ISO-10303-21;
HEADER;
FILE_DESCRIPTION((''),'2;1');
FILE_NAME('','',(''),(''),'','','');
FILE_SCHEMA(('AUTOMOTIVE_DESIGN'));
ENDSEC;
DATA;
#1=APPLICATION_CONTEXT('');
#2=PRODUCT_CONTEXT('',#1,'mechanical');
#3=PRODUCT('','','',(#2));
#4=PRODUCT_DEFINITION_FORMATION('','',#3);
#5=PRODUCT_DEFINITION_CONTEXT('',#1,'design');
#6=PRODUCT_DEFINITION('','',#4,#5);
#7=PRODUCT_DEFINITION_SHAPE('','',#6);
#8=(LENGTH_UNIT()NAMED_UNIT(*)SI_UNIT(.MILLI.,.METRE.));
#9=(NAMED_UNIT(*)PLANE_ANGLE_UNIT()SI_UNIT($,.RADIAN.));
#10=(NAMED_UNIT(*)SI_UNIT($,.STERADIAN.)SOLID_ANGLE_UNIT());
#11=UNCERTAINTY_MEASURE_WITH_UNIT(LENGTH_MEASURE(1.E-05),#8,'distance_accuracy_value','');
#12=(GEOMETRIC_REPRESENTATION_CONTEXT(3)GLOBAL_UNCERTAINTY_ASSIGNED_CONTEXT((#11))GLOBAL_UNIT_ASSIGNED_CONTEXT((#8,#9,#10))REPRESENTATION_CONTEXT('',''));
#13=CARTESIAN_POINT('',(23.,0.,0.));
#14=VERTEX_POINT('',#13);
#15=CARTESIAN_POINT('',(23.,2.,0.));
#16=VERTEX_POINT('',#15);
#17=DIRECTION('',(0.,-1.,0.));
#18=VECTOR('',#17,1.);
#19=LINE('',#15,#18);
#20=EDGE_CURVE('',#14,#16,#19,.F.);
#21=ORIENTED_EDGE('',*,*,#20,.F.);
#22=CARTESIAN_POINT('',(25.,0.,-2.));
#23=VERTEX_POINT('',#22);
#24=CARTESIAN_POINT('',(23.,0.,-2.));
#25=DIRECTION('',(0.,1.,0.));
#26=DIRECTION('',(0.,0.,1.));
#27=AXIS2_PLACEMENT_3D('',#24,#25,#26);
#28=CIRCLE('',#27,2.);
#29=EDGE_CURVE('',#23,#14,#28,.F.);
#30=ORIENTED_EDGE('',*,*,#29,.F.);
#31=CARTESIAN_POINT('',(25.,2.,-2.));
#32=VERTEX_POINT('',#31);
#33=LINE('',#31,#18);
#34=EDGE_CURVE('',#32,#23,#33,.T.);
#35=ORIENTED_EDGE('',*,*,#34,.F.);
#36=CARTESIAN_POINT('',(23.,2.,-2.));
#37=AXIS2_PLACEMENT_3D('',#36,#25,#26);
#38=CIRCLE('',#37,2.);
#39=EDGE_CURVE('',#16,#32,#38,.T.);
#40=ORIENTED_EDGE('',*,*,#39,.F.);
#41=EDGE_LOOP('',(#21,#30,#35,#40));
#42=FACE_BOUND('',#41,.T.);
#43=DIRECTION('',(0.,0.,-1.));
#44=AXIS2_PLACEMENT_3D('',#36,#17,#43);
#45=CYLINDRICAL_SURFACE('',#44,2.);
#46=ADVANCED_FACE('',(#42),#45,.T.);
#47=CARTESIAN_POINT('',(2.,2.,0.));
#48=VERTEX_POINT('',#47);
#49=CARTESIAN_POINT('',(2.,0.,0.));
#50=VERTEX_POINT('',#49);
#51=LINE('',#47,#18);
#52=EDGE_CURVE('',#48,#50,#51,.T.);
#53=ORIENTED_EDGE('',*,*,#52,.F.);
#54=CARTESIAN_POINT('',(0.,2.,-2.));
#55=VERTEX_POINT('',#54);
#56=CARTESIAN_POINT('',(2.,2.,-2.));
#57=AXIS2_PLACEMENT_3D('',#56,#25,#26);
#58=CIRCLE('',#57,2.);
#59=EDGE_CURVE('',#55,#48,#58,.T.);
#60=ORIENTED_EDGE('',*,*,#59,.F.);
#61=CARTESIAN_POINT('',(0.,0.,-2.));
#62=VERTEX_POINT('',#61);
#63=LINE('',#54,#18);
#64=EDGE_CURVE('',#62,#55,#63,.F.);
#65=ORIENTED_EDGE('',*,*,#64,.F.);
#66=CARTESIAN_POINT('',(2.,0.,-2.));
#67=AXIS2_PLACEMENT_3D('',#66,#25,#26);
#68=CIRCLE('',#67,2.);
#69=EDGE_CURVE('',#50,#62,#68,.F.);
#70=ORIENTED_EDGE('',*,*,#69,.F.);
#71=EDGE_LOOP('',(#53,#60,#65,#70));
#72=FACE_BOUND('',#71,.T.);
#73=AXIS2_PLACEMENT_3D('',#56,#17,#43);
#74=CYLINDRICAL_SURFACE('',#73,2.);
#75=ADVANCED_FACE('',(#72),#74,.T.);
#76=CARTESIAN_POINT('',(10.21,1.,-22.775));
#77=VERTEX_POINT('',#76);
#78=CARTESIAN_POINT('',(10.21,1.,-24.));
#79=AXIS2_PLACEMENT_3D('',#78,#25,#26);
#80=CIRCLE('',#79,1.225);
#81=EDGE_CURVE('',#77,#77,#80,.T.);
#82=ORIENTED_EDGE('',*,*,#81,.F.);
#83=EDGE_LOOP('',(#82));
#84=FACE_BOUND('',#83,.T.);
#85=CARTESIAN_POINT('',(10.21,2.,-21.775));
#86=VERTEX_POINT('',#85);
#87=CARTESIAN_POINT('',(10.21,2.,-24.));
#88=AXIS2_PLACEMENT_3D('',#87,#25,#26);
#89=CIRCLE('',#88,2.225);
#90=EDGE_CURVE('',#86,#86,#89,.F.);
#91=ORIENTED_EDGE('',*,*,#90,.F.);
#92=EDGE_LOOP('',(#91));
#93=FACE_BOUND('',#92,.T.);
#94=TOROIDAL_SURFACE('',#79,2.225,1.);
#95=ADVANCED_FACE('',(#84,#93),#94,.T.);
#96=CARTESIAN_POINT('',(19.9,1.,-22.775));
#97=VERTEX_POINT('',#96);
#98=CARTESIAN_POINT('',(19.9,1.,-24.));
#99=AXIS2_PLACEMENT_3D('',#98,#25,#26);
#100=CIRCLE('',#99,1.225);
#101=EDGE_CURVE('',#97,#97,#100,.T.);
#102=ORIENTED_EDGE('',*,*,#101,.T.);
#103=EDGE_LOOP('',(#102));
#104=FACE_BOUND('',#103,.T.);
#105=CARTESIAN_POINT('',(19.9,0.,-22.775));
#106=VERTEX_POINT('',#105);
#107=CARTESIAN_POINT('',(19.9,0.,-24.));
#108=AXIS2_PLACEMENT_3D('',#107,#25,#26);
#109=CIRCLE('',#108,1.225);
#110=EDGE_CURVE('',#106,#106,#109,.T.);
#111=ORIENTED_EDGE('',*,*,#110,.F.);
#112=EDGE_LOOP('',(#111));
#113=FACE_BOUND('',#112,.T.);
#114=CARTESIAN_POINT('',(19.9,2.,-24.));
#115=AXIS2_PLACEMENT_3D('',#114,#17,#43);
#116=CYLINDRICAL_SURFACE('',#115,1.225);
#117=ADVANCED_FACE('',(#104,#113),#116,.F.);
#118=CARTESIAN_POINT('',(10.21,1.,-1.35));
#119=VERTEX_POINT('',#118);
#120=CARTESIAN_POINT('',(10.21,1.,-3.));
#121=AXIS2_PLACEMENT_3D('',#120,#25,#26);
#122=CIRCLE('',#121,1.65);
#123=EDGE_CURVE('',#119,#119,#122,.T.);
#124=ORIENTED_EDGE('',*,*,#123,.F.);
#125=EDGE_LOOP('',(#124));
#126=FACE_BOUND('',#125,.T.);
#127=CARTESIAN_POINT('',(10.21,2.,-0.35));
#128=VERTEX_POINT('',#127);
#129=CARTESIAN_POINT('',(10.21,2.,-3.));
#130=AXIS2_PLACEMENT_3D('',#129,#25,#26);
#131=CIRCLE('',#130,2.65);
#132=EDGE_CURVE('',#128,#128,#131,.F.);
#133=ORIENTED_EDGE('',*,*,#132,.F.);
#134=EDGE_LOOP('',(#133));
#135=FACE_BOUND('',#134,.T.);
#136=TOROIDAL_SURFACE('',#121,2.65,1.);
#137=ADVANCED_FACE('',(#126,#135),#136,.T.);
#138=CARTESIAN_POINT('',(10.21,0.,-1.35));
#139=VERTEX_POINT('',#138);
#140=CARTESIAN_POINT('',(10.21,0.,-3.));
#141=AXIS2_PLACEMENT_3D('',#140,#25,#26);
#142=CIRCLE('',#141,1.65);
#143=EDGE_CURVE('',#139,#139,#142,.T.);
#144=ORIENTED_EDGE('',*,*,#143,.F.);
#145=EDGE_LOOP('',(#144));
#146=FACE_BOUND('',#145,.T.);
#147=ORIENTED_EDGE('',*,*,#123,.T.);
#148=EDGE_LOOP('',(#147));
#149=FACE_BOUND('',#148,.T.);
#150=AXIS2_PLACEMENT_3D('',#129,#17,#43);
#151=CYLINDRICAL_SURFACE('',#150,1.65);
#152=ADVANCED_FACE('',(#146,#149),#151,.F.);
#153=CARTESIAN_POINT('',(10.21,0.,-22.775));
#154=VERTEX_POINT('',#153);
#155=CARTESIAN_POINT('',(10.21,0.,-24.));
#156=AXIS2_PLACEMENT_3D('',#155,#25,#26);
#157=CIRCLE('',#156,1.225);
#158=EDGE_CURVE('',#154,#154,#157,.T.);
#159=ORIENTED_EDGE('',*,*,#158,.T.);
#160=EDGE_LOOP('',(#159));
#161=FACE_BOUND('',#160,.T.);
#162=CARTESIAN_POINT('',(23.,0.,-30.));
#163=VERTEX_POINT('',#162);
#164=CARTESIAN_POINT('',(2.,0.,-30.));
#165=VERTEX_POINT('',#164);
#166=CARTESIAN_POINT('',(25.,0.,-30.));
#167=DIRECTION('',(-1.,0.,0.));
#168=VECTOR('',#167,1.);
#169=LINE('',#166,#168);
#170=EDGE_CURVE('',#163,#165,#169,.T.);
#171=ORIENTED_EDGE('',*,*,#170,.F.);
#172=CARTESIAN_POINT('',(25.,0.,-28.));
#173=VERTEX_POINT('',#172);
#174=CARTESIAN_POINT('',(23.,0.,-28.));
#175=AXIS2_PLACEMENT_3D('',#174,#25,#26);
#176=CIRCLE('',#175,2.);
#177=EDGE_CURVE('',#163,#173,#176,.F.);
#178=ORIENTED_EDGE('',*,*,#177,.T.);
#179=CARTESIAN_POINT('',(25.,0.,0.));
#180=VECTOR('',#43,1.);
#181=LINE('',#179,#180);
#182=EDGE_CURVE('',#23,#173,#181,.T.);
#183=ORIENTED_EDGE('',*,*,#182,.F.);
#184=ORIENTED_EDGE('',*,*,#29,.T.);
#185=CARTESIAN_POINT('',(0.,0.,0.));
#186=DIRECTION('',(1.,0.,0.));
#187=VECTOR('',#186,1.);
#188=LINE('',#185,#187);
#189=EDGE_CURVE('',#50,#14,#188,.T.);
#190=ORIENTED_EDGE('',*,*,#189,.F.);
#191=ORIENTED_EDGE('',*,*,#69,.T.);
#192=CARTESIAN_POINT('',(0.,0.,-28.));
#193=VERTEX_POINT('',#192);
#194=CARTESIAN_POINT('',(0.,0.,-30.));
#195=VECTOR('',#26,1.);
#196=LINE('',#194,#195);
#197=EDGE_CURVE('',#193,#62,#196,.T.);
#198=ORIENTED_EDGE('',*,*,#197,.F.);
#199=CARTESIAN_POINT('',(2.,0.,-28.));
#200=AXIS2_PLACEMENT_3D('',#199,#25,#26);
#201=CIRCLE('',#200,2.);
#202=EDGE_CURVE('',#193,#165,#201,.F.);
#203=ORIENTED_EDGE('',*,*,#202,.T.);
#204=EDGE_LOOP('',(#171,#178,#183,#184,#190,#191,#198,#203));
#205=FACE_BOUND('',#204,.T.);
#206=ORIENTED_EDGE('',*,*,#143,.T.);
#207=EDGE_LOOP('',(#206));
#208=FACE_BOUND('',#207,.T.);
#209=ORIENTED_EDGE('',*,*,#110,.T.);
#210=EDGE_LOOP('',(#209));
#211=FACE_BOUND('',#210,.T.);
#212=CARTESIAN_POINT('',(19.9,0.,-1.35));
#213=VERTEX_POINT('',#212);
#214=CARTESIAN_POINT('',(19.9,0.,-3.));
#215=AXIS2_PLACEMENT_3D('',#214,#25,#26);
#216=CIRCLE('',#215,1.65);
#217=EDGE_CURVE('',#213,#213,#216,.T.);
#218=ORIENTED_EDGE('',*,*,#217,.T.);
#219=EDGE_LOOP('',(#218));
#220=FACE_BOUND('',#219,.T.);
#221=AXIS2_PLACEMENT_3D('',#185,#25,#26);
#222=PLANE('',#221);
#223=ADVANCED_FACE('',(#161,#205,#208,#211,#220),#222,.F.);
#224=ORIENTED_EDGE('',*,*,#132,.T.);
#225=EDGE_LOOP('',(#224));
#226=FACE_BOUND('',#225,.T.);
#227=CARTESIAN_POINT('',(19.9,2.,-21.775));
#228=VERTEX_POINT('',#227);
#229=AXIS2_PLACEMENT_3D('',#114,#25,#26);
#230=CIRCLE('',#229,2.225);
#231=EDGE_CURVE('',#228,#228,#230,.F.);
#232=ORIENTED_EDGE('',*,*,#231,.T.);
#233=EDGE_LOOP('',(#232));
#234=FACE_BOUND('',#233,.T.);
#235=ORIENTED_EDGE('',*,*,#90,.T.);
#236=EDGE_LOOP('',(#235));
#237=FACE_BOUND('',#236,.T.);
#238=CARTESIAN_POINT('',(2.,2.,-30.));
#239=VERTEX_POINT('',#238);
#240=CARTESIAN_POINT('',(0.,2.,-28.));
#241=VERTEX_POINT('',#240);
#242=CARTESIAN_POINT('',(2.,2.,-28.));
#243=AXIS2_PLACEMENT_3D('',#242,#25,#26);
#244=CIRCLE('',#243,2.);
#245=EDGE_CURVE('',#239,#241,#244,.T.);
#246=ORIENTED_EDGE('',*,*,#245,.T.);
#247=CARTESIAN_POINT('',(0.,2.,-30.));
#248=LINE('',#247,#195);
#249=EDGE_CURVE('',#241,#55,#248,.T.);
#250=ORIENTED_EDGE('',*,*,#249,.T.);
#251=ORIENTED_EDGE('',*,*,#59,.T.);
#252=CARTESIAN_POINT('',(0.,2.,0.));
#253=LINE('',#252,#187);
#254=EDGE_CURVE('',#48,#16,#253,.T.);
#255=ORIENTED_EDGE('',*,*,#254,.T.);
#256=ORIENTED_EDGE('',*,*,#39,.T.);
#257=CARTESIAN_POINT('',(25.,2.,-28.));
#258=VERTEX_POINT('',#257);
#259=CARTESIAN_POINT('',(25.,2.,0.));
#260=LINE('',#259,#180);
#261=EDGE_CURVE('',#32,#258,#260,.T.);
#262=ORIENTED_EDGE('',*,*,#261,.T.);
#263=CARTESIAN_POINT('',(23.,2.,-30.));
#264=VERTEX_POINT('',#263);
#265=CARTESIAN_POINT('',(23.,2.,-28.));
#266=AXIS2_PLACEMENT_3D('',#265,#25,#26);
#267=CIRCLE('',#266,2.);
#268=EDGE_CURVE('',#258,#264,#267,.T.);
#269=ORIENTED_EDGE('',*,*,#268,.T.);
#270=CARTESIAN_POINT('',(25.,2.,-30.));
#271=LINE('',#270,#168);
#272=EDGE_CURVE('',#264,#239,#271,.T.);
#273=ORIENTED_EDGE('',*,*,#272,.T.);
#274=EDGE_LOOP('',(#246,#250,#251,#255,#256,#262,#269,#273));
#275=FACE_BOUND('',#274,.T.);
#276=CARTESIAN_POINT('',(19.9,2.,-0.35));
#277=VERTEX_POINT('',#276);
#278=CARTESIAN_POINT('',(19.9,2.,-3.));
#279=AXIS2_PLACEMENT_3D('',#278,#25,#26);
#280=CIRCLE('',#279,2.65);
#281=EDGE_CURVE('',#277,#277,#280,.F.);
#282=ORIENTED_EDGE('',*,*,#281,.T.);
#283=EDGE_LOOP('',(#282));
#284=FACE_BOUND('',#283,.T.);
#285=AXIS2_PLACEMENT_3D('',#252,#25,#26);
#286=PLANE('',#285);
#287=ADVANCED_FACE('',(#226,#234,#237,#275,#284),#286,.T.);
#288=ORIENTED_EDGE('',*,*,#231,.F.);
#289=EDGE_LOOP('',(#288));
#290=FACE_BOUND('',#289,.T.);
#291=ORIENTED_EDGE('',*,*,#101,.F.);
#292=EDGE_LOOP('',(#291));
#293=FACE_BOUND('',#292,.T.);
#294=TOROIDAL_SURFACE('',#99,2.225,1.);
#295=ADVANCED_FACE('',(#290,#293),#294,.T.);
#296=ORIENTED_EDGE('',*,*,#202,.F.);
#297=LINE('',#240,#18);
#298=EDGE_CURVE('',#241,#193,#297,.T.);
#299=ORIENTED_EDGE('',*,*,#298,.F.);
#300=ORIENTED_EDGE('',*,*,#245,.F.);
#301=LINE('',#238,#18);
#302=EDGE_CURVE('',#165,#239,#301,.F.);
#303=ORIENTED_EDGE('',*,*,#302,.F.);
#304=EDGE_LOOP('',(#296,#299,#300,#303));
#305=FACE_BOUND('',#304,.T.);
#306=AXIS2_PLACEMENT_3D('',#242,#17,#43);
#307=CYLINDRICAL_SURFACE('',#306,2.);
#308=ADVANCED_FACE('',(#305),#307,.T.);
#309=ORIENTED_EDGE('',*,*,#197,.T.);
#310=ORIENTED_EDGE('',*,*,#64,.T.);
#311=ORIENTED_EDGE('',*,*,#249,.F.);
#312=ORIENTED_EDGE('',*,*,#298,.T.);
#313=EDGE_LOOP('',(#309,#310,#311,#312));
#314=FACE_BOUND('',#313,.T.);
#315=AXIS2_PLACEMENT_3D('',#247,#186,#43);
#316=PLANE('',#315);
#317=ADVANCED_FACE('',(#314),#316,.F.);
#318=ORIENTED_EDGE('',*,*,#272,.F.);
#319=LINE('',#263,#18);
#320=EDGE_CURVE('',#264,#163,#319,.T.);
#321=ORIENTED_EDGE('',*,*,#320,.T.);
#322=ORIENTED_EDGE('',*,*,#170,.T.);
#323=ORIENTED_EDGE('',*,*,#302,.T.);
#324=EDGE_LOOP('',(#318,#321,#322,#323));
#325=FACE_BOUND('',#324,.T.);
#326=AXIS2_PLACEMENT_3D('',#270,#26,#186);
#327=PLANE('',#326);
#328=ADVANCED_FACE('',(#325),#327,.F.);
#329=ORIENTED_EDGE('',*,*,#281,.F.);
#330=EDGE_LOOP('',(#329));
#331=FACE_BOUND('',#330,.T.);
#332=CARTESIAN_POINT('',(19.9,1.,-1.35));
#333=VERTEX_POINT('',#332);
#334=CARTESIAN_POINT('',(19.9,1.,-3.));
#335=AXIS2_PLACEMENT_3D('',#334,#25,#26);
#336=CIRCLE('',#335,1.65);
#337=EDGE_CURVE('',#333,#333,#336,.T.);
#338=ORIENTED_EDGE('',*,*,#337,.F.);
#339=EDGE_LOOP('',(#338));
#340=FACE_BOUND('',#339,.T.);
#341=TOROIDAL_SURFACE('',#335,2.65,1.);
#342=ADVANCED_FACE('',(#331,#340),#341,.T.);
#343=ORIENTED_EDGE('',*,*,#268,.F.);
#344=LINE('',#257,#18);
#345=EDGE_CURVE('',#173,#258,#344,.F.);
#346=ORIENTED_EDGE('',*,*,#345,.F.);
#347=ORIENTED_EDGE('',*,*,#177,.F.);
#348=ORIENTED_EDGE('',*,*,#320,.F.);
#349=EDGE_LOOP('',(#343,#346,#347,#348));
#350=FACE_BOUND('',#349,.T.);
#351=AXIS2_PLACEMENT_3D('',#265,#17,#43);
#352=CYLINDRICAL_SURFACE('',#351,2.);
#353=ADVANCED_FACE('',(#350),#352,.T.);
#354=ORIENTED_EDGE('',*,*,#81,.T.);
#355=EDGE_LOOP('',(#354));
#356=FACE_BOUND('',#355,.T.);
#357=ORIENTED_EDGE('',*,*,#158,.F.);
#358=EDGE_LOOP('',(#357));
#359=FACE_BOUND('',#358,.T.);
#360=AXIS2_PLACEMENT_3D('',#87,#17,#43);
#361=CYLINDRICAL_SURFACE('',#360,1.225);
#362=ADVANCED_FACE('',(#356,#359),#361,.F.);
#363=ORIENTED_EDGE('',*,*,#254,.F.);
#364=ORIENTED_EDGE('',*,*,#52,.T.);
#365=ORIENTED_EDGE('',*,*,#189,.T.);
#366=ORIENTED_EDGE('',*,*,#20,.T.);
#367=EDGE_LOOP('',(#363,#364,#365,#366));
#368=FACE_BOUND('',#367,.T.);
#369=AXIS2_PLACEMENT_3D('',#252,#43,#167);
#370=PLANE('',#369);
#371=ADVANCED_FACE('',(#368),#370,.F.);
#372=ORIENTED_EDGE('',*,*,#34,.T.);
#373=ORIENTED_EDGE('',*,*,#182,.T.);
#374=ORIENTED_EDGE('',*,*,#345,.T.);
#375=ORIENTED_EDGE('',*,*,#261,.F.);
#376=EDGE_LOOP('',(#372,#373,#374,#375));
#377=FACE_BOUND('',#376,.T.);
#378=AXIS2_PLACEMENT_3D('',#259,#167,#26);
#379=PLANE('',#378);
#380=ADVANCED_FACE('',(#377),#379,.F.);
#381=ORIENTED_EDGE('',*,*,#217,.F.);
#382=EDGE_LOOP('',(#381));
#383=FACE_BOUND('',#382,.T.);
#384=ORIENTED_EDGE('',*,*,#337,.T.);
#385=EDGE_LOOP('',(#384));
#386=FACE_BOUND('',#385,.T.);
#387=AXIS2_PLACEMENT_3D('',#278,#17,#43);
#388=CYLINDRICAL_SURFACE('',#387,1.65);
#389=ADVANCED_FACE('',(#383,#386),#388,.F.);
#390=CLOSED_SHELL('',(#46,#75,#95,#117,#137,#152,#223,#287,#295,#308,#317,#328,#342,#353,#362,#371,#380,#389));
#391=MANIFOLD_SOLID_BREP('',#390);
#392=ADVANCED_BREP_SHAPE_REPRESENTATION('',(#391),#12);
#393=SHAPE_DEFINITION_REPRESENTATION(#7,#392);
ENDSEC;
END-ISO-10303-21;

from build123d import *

# Parameters (mm, degrees)
SKETCH2_W           = 25
SKETCH2_H           = 30
SKETCH2_R           = 1.225
SKETCH2_R_2         = 1.65
BOSS_EXTRUDE2_DEPTH = 2
FILLET1_R           = 2
FILLET2_R           = 1


with BuildPart() as part:
    # Sketch2 → Boss-Extrude2 (new body)
    with BuildSketch(Plane(origin=(0, 0, 0), x_dir=(1, 0, 0), z_dir=(0, 1, 0))):
        with Locations((12.5, 15)):
            Rectangle(SKETCH2_W, SKETCH2_H)
        with Locations(Location((19.9, 24, 0), (0, 0, 270))):
            Circle(SKETCH2_R, mode=Mode.SUBTRACT)
        with Locations(Location((10.21, 24, 0), (0, 0, 270))):
            Circle(SKETCH2_R, mode=Mode.SUBTRACT)
        with Locations(Location((10.21, 3, 0), (0, 0, 270))):
            Circle(SKETCH2_R_2, mode=Mode.SUBTRACT)
        with Locations(Location((19.9, 3, 0), (0, 0, 270))):
            Circle(SKETCH2_R_2, mode=Mode.SUBTRACT)
    extrude(amount=BOSS_EXTRUDE2_DEPTH)

    # Fillet1
    fillet1_edges = [part.edges().sort_by_distance(p)[0] for p in [
        (0, 1, -30),
        (25, 1, -30),
        (25, 1, 0),
        (0, 1, 0),
    ]]
    fillet(fillet1_edges, radius=FILLET1_R)

    # Fillet2
    fillet2_edges = [part.edges().sort_by_distance(p)[0] for p in [
        (19.9, 2, -25.225),
        (10.21, 2, -25.225),
        (10.21, 2, -4.65),
        (19.9, 2, -4.65),
    ]]
    fillet(fillet2_edges, radius=FILLET2_R)


solid = part.part
